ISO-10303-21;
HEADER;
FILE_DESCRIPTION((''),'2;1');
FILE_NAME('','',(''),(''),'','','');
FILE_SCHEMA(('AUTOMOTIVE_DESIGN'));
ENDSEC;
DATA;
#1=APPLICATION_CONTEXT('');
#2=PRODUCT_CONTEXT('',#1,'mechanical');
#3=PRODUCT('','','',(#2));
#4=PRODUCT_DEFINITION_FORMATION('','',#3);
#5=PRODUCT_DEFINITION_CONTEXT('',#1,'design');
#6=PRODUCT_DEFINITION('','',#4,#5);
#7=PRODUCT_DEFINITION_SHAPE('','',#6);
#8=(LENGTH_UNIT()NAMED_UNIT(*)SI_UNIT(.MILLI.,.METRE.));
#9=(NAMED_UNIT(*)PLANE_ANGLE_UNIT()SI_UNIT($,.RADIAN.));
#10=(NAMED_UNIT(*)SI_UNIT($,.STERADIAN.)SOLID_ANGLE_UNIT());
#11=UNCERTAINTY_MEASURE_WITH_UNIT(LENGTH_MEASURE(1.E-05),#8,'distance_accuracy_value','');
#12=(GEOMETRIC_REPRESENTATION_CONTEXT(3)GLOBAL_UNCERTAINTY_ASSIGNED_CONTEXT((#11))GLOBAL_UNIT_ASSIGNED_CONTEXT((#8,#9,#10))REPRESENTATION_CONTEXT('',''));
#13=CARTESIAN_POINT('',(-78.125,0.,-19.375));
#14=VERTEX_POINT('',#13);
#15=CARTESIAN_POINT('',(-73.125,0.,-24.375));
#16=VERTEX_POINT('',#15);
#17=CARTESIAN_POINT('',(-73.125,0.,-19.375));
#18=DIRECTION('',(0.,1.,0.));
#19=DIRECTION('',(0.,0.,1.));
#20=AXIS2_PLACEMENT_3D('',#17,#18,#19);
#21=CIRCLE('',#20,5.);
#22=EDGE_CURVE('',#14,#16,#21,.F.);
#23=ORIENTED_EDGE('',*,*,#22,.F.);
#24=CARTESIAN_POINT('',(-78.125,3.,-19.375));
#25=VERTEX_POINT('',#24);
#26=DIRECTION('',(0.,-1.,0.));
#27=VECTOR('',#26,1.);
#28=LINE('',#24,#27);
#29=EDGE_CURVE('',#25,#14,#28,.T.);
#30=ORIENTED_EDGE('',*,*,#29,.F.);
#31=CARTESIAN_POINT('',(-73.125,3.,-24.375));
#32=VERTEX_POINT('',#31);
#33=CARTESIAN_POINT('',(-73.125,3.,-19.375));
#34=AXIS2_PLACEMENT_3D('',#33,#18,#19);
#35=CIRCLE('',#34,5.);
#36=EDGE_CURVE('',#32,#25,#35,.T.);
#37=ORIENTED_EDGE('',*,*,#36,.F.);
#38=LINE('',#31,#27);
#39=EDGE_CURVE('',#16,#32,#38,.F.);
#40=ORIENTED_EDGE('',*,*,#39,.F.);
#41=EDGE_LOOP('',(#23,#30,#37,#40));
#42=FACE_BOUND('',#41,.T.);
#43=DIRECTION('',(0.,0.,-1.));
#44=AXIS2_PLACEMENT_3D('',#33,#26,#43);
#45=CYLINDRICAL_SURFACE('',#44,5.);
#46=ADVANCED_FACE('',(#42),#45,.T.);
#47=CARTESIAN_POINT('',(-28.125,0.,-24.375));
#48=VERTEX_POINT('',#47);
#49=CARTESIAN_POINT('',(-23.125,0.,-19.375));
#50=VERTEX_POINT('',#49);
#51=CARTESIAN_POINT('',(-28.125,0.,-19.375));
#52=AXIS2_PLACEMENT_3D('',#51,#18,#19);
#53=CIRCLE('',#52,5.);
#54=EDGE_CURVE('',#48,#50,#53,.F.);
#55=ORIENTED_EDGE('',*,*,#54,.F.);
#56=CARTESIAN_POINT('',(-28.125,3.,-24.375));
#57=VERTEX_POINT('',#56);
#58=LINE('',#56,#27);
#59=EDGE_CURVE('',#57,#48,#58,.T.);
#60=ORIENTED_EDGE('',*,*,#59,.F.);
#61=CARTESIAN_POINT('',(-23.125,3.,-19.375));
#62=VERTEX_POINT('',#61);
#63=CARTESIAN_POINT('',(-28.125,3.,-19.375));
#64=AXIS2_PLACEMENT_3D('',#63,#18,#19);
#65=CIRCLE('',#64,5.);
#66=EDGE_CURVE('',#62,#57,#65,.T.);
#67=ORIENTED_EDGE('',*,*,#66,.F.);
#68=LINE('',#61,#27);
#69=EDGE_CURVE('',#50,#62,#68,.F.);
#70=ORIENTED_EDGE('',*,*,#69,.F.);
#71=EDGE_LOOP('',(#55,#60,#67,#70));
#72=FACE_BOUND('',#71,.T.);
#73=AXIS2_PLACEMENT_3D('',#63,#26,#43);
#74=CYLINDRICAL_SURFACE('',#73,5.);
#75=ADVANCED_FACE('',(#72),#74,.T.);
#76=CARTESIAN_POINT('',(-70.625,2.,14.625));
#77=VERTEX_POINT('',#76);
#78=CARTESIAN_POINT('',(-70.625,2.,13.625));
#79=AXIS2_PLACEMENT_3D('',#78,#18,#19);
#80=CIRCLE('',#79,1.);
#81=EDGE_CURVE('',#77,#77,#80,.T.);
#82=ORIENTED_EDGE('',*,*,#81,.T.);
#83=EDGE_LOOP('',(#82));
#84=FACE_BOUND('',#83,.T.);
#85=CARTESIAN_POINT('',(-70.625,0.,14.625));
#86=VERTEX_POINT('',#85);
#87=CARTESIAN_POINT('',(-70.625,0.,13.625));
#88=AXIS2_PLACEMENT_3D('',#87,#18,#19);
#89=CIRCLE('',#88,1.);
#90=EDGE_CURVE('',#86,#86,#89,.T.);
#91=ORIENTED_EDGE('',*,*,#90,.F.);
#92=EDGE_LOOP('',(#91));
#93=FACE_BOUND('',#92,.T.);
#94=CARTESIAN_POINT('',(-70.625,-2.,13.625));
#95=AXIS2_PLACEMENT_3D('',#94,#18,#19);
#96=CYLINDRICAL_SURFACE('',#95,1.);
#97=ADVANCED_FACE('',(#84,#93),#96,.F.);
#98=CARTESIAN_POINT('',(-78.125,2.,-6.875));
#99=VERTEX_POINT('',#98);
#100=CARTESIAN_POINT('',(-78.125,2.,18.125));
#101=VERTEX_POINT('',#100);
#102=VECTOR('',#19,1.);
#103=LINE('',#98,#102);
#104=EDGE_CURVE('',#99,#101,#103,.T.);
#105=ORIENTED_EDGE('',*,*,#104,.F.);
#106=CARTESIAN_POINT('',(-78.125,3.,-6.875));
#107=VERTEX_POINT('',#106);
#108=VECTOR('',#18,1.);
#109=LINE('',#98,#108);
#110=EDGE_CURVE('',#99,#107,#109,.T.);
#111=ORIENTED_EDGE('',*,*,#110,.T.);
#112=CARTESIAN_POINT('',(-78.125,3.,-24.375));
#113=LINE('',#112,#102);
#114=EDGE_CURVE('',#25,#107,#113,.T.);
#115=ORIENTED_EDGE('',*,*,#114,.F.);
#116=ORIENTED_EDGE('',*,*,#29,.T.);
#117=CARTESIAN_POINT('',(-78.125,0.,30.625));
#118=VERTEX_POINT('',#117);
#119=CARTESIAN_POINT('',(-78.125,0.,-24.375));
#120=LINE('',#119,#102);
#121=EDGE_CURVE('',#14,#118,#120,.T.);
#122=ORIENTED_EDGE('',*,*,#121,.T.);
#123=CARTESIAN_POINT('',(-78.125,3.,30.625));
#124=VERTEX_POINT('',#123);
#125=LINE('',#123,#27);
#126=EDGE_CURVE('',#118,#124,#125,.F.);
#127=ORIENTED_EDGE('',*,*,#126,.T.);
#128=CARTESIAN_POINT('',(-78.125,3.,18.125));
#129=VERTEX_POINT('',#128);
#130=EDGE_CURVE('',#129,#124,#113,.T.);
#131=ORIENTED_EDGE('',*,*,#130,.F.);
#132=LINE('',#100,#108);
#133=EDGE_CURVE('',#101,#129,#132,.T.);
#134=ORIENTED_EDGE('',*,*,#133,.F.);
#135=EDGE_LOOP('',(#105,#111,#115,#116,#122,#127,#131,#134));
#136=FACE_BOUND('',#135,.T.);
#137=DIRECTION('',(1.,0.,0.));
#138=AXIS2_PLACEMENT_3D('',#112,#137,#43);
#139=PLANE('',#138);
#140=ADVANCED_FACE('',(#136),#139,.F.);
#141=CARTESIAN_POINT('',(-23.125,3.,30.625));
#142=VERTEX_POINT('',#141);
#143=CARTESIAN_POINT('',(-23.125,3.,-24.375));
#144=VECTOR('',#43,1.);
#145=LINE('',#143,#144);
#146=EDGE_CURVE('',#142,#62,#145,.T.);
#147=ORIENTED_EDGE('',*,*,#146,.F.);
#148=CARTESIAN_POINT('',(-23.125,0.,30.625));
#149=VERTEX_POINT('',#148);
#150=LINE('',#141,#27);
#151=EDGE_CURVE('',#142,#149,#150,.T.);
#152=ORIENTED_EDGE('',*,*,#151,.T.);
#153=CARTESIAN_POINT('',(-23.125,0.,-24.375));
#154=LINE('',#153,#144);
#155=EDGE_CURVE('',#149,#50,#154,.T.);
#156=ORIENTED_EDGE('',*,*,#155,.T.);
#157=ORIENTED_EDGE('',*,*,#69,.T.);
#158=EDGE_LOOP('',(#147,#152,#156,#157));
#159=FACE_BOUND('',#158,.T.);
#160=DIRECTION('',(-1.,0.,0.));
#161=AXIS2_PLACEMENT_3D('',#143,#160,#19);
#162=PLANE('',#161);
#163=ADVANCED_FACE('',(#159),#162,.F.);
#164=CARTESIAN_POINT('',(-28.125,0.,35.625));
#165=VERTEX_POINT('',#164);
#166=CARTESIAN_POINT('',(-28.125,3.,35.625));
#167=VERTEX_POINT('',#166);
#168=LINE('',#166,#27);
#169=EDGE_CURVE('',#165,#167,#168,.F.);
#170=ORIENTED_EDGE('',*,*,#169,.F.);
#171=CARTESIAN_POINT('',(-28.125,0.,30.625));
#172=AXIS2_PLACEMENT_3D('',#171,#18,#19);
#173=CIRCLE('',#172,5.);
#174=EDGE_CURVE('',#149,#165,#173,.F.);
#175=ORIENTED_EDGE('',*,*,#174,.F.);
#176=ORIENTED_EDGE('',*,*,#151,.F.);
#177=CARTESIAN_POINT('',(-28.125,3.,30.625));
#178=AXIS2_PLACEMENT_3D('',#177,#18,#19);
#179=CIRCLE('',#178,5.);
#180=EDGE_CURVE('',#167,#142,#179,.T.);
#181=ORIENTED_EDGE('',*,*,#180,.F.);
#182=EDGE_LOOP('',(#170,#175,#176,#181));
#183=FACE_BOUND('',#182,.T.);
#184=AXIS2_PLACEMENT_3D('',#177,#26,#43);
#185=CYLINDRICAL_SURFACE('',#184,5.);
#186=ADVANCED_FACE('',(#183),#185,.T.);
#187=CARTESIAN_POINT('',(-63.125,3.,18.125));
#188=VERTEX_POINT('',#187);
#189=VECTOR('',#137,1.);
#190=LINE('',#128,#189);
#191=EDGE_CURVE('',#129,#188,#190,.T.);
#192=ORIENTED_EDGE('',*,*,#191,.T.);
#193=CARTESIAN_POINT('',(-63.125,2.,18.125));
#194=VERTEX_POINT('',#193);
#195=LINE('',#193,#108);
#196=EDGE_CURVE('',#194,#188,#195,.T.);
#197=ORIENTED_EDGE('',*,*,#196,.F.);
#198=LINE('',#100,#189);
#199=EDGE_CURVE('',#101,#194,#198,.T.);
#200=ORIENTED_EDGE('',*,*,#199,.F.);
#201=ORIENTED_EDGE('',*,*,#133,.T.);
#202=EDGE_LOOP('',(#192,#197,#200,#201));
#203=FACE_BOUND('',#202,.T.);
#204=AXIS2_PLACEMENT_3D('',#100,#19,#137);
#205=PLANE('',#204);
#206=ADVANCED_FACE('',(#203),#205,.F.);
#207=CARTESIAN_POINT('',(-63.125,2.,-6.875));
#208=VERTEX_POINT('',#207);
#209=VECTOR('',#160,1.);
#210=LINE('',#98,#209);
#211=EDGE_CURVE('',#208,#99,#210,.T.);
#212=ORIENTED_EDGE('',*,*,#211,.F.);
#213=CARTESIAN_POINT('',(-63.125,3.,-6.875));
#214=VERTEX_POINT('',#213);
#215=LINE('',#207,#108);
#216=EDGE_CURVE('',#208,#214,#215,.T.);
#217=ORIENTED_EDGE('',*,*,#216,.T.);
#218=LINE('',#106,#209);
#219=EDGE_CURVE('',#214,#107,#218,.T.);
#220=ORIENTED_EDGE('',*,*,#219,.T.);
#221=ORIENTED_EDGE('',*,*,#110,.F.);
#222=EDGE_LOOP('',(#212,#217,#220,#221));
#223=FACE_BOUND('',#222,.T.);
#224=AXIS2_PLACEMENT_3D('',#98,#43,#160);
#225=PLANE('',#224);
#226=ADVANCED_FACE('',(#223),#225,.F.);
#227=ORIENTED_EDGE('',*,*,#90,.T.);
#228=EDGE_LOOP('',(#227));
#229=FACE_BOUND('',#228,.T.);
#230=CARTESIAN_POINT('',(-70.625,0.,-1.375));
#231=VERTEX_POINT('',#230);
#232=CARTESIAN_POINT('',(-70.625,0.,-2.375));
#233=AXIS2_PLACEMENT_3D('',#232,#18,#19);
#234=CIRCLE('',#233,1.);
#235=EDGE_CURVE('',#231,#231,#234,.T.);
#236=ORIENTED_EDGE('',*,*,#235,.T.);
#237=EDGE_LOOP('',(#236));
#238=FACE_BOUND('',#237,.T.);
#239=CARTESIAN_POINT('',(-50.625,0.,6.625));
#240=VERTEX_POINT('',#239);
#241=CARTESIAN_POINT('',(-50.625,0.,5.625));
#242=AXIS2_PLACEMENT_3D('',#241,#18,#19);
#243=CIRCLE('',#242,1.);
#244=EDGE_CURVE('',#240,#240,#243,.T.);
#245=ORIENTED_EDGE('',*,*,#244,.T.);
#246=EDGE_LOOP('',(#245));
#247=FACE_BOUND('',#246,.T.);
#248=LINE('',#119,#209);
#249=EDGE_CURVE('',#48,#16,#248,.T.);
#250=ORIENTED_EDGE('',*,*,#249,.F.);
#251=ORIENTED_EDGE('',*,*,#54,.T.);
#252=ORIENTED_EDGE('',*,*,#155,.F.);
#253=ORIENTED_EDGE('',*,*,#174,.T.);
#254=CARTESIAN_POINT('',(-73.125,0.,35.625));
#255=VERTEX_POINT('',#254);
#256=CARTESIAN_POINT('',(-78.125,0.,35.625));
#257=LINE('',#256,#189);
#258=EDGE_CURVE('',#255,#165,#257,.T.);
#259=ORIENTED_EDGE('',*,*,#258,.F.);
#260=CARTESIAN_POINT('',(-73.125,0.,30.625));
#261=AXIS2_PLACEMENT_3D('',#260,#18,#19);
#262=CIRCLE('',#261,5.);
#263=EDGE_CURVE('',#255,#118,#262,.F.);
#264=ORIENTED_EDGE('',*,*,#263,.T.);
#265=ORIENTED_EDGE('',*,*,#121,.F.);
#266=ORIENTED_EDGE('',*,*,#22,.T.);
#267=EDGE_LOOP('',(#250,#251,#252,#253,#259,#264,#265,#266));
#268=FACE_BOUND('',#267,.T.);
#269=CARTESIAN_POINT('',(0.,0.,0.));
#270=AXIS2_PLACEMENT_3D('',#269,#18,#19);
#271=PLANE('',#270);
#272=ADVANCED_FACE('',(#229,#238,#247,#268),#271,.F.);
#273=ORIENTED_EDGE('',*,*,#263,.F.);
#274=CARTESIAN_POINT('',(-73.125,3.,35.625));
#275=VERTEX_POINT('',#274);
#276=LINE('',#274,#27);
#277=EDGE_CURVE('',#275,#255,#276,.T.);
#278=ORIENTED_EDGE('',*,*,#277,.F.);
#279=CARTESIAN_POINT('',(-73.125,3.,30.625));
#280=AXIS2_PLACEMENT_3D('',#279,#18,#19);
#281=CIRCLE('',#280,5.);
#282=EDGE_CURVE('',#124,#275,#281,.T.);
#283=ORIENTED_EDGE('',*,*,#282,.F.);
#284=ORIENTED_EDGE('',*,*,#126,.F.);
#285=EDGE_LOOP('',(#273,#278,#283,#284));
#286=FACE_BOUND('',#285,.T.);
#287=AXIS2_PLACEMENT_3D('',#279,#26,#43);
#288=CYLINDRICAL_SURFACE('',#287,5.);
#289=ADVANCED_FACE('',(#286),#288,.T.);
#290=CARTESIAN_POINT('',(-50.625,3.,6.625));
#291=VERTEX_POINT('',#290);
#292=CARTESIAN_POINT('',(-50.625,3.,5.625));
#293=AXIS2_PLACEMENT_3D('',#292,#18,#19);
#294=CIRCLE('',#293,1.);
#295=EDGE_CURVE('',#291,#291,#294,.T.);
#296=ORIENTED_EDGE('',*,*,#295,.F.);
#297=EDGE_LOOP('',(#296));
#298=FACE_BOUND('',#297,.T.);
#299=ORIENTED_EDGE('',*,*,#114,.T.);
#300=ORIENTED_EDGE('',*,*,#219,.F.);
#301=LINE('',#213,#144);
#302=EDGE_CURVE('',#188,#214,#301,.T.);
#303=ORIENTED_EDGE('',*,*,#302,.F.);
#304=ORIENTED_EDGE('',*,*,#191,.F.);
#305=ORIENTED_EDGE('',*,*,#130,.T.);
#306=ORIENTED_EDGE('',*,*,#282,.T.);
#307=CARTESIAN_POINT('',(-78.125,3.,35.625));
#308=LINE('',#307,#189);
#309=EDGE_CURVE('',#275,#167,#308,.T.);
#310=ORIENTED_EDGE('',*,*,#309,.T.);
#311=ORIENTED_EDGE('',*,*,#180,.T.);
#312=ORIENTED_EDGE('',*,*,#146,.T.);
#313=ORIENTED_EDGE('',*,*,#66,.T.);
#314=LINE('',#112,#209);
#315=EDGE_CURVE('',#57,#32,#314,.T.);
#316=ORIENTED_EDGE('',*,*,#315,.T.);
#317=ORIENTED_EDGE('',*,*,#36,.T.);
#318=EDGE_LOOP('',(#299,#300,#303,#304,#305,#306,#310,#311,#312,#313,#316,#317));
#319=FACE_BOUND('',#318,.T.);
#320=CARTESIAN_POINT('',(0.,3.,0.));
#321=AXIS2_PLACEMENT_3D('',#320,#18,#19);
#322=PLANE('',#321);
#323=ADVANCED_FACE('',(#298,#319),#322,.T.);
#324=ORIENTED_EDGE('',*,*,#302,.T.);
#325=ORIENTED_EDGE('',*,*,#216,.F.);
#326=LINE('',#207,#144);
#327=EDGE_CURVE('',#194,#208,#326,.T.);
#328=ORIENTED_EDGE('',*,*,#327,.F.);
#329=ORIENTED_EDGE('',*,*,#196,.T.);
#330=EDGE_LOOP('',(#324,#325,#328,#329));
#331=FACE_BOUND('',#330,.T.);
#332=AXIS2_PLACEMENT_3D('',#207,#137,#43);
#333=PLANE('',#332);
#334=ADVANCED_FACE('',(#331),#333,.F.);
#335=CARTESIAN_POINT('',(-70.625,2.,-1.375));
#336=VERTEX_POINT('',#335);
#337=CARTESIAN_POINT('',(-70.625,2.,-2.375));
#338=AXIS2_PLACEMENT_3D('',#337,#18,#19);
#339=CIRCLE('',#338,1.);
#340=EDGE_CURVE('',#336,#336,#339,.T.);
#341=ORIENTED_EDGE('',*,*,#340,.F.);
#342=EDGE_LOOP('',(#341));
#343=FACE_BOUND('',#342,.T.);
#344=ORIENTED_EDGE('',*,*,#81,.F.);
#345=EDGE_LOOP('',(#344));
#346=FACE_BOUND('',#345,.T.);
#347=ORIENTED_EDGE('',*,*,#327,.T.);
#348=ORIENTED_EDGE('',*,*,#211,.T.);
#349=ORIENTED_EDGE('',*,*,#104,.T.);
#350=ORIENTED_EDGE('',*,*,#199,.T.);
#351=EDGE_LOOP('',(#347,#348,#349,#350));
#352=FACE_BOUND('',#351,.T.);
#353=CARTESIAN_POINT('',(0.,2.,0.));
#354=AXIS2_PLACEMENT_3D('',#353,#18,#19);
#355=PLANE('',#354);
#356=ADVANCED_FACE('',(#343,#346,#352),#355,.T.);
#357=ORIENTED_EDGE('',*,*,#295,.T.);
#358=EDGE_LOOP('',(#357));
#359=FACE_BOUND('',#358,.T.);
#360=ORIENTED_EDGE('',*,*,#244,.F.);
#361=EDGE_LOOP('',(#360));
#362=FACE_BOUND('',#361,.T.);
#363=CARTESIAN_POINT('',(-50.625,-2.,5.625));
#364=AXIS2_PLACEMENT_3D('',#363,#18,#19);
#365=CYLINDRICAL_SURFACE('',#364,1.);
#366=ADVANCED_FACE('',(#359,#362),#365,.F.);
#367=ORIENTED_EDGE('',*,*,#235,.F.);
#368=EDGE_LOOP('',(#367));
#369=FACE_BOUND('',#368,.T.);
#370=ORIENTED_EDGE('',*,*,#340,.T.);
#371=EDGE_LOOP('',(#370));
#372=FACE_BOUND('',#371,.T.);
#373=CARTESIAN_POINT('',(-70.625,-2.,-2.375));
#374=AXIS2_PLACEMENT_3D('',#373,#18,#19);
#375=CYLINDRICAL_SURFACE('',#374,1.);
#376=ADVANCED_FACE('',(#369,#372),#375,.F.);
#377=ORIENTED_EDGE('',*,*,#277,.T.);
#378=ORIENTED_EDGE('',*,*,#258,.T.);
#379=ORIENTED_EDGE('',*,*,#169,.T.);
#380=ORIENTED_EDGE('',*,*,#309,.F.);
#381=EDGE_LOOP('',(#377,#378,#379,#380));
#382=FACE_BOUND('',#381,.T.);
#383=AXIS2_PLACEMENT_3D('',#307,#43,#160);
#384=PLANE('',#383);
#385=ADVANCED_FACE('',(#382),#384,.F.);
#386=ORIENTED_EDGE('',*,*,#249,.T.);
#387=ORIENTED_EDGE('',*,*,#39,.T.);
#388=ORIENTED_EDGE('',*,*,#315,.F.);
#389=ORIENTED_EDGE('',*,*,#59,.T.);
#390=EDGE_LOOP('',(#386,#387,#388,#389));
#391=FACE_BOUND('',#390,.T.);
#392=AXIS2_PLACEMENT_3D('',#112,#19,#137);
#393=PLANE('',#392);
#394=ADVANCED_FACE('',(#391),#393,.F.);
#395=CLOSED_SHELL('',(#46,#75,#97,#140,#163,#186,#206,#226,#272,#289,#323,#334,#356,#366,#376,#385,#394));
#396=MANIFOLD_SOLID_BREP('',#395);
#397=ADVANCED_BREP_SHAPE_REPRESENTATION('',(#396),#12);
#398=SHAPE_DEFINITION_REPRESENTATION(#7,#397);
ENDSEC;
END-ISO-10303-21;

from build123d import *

# Parameters (mm, degrees)
SKETCH2_W           = 55
SKETCH2_H           = 60
BOSS_EXTRUDE1_DEPTH = 3
SKETCH3_W           = 15
SKETCH3_H           = 25
CUT_EXTRUDE1_DEPTH  = 1
SKETCH4_R           = 1
CUT_EXTRUDE3_DEPTH  = 5
FILLET1_R           = 5
SKETCH5_R           = 1
CUT_EXTRUDE4_DEPTH  = 5


with BuildPart() as part:
    # Sketch2 → Boss-Extrude1 (new body)
    with BuildSketch(Plane(origin=(0, 0, 0), x_dir=(1, 0, 0), z_dir=(0, 1, 0))):
        with Locations((-50.625, -5.625)):
            Rectangle(SKETCH2_W, SKETCH2_H)
    extrude(amount=BOSS_EXTRUDE1_DEPTH)

    # Sketch3 → Cut-Extrude1 (cut)
    with BuildSketch(Plane(origin=(0, 3, 0), x_dir=(1, 0, 0), z_dir=(0, 1, 0))):
        with Locations((-70.625, -5.625)):
            Rectangle(SKETCH3_W, SKETCH3_H)
    extrude(amount=-CUT_EXTRUDE1_DEPTH, mode=Mode.SUBTRACT)

    # Sketch4 → Cut-Extrude3 (cut)
    with BuildSketch(Plane(origin=(0, 3, 0), x_dir=(1, 0, 0), z_dir=(0, 1, 0))):
        with Locations(Location((-70.625, 2.375, 0), (0, 0, 270))):
            Circle(SKETCH4_R)
        with Locations(Location((-70.625, -13.625, 0), (0, 0, 270))):
            Circle(SKETCH4_R)
    extrude(amount=-CUT_EXTRUDE3_DEPTH, mode=Mode.SUBTRACT)

    # Fillet1
    fillet1_edges = [part.edges().sort_by_distance(p)[0] for p in [
        (-78.125, 1.5, -24.375),
        (-23.125, 1.5, -24.375),
        (-23.125, 1.5, 35.625),
        (-78.125, 1.5, 35.625),
    ]]
    fillet(fillet1_edges, radius=FILLET1_R)

    # Sketch5 → Cut-Extrude4 (cut)
    with BuildSketch(Plane(origin=(0, 3, 0), x_dir=(1, 0, 0), z_dir=(0, 1, 0))):
        with Locations(Location((-50.625, -5.625, 0), (0, 0, 270))):
            Circle(SKETCH5_R)
    extrude(amount=-CUT_EXTRUDE4_DEPTH, mode=Mode.SUBTRACT)


solid = part.part
